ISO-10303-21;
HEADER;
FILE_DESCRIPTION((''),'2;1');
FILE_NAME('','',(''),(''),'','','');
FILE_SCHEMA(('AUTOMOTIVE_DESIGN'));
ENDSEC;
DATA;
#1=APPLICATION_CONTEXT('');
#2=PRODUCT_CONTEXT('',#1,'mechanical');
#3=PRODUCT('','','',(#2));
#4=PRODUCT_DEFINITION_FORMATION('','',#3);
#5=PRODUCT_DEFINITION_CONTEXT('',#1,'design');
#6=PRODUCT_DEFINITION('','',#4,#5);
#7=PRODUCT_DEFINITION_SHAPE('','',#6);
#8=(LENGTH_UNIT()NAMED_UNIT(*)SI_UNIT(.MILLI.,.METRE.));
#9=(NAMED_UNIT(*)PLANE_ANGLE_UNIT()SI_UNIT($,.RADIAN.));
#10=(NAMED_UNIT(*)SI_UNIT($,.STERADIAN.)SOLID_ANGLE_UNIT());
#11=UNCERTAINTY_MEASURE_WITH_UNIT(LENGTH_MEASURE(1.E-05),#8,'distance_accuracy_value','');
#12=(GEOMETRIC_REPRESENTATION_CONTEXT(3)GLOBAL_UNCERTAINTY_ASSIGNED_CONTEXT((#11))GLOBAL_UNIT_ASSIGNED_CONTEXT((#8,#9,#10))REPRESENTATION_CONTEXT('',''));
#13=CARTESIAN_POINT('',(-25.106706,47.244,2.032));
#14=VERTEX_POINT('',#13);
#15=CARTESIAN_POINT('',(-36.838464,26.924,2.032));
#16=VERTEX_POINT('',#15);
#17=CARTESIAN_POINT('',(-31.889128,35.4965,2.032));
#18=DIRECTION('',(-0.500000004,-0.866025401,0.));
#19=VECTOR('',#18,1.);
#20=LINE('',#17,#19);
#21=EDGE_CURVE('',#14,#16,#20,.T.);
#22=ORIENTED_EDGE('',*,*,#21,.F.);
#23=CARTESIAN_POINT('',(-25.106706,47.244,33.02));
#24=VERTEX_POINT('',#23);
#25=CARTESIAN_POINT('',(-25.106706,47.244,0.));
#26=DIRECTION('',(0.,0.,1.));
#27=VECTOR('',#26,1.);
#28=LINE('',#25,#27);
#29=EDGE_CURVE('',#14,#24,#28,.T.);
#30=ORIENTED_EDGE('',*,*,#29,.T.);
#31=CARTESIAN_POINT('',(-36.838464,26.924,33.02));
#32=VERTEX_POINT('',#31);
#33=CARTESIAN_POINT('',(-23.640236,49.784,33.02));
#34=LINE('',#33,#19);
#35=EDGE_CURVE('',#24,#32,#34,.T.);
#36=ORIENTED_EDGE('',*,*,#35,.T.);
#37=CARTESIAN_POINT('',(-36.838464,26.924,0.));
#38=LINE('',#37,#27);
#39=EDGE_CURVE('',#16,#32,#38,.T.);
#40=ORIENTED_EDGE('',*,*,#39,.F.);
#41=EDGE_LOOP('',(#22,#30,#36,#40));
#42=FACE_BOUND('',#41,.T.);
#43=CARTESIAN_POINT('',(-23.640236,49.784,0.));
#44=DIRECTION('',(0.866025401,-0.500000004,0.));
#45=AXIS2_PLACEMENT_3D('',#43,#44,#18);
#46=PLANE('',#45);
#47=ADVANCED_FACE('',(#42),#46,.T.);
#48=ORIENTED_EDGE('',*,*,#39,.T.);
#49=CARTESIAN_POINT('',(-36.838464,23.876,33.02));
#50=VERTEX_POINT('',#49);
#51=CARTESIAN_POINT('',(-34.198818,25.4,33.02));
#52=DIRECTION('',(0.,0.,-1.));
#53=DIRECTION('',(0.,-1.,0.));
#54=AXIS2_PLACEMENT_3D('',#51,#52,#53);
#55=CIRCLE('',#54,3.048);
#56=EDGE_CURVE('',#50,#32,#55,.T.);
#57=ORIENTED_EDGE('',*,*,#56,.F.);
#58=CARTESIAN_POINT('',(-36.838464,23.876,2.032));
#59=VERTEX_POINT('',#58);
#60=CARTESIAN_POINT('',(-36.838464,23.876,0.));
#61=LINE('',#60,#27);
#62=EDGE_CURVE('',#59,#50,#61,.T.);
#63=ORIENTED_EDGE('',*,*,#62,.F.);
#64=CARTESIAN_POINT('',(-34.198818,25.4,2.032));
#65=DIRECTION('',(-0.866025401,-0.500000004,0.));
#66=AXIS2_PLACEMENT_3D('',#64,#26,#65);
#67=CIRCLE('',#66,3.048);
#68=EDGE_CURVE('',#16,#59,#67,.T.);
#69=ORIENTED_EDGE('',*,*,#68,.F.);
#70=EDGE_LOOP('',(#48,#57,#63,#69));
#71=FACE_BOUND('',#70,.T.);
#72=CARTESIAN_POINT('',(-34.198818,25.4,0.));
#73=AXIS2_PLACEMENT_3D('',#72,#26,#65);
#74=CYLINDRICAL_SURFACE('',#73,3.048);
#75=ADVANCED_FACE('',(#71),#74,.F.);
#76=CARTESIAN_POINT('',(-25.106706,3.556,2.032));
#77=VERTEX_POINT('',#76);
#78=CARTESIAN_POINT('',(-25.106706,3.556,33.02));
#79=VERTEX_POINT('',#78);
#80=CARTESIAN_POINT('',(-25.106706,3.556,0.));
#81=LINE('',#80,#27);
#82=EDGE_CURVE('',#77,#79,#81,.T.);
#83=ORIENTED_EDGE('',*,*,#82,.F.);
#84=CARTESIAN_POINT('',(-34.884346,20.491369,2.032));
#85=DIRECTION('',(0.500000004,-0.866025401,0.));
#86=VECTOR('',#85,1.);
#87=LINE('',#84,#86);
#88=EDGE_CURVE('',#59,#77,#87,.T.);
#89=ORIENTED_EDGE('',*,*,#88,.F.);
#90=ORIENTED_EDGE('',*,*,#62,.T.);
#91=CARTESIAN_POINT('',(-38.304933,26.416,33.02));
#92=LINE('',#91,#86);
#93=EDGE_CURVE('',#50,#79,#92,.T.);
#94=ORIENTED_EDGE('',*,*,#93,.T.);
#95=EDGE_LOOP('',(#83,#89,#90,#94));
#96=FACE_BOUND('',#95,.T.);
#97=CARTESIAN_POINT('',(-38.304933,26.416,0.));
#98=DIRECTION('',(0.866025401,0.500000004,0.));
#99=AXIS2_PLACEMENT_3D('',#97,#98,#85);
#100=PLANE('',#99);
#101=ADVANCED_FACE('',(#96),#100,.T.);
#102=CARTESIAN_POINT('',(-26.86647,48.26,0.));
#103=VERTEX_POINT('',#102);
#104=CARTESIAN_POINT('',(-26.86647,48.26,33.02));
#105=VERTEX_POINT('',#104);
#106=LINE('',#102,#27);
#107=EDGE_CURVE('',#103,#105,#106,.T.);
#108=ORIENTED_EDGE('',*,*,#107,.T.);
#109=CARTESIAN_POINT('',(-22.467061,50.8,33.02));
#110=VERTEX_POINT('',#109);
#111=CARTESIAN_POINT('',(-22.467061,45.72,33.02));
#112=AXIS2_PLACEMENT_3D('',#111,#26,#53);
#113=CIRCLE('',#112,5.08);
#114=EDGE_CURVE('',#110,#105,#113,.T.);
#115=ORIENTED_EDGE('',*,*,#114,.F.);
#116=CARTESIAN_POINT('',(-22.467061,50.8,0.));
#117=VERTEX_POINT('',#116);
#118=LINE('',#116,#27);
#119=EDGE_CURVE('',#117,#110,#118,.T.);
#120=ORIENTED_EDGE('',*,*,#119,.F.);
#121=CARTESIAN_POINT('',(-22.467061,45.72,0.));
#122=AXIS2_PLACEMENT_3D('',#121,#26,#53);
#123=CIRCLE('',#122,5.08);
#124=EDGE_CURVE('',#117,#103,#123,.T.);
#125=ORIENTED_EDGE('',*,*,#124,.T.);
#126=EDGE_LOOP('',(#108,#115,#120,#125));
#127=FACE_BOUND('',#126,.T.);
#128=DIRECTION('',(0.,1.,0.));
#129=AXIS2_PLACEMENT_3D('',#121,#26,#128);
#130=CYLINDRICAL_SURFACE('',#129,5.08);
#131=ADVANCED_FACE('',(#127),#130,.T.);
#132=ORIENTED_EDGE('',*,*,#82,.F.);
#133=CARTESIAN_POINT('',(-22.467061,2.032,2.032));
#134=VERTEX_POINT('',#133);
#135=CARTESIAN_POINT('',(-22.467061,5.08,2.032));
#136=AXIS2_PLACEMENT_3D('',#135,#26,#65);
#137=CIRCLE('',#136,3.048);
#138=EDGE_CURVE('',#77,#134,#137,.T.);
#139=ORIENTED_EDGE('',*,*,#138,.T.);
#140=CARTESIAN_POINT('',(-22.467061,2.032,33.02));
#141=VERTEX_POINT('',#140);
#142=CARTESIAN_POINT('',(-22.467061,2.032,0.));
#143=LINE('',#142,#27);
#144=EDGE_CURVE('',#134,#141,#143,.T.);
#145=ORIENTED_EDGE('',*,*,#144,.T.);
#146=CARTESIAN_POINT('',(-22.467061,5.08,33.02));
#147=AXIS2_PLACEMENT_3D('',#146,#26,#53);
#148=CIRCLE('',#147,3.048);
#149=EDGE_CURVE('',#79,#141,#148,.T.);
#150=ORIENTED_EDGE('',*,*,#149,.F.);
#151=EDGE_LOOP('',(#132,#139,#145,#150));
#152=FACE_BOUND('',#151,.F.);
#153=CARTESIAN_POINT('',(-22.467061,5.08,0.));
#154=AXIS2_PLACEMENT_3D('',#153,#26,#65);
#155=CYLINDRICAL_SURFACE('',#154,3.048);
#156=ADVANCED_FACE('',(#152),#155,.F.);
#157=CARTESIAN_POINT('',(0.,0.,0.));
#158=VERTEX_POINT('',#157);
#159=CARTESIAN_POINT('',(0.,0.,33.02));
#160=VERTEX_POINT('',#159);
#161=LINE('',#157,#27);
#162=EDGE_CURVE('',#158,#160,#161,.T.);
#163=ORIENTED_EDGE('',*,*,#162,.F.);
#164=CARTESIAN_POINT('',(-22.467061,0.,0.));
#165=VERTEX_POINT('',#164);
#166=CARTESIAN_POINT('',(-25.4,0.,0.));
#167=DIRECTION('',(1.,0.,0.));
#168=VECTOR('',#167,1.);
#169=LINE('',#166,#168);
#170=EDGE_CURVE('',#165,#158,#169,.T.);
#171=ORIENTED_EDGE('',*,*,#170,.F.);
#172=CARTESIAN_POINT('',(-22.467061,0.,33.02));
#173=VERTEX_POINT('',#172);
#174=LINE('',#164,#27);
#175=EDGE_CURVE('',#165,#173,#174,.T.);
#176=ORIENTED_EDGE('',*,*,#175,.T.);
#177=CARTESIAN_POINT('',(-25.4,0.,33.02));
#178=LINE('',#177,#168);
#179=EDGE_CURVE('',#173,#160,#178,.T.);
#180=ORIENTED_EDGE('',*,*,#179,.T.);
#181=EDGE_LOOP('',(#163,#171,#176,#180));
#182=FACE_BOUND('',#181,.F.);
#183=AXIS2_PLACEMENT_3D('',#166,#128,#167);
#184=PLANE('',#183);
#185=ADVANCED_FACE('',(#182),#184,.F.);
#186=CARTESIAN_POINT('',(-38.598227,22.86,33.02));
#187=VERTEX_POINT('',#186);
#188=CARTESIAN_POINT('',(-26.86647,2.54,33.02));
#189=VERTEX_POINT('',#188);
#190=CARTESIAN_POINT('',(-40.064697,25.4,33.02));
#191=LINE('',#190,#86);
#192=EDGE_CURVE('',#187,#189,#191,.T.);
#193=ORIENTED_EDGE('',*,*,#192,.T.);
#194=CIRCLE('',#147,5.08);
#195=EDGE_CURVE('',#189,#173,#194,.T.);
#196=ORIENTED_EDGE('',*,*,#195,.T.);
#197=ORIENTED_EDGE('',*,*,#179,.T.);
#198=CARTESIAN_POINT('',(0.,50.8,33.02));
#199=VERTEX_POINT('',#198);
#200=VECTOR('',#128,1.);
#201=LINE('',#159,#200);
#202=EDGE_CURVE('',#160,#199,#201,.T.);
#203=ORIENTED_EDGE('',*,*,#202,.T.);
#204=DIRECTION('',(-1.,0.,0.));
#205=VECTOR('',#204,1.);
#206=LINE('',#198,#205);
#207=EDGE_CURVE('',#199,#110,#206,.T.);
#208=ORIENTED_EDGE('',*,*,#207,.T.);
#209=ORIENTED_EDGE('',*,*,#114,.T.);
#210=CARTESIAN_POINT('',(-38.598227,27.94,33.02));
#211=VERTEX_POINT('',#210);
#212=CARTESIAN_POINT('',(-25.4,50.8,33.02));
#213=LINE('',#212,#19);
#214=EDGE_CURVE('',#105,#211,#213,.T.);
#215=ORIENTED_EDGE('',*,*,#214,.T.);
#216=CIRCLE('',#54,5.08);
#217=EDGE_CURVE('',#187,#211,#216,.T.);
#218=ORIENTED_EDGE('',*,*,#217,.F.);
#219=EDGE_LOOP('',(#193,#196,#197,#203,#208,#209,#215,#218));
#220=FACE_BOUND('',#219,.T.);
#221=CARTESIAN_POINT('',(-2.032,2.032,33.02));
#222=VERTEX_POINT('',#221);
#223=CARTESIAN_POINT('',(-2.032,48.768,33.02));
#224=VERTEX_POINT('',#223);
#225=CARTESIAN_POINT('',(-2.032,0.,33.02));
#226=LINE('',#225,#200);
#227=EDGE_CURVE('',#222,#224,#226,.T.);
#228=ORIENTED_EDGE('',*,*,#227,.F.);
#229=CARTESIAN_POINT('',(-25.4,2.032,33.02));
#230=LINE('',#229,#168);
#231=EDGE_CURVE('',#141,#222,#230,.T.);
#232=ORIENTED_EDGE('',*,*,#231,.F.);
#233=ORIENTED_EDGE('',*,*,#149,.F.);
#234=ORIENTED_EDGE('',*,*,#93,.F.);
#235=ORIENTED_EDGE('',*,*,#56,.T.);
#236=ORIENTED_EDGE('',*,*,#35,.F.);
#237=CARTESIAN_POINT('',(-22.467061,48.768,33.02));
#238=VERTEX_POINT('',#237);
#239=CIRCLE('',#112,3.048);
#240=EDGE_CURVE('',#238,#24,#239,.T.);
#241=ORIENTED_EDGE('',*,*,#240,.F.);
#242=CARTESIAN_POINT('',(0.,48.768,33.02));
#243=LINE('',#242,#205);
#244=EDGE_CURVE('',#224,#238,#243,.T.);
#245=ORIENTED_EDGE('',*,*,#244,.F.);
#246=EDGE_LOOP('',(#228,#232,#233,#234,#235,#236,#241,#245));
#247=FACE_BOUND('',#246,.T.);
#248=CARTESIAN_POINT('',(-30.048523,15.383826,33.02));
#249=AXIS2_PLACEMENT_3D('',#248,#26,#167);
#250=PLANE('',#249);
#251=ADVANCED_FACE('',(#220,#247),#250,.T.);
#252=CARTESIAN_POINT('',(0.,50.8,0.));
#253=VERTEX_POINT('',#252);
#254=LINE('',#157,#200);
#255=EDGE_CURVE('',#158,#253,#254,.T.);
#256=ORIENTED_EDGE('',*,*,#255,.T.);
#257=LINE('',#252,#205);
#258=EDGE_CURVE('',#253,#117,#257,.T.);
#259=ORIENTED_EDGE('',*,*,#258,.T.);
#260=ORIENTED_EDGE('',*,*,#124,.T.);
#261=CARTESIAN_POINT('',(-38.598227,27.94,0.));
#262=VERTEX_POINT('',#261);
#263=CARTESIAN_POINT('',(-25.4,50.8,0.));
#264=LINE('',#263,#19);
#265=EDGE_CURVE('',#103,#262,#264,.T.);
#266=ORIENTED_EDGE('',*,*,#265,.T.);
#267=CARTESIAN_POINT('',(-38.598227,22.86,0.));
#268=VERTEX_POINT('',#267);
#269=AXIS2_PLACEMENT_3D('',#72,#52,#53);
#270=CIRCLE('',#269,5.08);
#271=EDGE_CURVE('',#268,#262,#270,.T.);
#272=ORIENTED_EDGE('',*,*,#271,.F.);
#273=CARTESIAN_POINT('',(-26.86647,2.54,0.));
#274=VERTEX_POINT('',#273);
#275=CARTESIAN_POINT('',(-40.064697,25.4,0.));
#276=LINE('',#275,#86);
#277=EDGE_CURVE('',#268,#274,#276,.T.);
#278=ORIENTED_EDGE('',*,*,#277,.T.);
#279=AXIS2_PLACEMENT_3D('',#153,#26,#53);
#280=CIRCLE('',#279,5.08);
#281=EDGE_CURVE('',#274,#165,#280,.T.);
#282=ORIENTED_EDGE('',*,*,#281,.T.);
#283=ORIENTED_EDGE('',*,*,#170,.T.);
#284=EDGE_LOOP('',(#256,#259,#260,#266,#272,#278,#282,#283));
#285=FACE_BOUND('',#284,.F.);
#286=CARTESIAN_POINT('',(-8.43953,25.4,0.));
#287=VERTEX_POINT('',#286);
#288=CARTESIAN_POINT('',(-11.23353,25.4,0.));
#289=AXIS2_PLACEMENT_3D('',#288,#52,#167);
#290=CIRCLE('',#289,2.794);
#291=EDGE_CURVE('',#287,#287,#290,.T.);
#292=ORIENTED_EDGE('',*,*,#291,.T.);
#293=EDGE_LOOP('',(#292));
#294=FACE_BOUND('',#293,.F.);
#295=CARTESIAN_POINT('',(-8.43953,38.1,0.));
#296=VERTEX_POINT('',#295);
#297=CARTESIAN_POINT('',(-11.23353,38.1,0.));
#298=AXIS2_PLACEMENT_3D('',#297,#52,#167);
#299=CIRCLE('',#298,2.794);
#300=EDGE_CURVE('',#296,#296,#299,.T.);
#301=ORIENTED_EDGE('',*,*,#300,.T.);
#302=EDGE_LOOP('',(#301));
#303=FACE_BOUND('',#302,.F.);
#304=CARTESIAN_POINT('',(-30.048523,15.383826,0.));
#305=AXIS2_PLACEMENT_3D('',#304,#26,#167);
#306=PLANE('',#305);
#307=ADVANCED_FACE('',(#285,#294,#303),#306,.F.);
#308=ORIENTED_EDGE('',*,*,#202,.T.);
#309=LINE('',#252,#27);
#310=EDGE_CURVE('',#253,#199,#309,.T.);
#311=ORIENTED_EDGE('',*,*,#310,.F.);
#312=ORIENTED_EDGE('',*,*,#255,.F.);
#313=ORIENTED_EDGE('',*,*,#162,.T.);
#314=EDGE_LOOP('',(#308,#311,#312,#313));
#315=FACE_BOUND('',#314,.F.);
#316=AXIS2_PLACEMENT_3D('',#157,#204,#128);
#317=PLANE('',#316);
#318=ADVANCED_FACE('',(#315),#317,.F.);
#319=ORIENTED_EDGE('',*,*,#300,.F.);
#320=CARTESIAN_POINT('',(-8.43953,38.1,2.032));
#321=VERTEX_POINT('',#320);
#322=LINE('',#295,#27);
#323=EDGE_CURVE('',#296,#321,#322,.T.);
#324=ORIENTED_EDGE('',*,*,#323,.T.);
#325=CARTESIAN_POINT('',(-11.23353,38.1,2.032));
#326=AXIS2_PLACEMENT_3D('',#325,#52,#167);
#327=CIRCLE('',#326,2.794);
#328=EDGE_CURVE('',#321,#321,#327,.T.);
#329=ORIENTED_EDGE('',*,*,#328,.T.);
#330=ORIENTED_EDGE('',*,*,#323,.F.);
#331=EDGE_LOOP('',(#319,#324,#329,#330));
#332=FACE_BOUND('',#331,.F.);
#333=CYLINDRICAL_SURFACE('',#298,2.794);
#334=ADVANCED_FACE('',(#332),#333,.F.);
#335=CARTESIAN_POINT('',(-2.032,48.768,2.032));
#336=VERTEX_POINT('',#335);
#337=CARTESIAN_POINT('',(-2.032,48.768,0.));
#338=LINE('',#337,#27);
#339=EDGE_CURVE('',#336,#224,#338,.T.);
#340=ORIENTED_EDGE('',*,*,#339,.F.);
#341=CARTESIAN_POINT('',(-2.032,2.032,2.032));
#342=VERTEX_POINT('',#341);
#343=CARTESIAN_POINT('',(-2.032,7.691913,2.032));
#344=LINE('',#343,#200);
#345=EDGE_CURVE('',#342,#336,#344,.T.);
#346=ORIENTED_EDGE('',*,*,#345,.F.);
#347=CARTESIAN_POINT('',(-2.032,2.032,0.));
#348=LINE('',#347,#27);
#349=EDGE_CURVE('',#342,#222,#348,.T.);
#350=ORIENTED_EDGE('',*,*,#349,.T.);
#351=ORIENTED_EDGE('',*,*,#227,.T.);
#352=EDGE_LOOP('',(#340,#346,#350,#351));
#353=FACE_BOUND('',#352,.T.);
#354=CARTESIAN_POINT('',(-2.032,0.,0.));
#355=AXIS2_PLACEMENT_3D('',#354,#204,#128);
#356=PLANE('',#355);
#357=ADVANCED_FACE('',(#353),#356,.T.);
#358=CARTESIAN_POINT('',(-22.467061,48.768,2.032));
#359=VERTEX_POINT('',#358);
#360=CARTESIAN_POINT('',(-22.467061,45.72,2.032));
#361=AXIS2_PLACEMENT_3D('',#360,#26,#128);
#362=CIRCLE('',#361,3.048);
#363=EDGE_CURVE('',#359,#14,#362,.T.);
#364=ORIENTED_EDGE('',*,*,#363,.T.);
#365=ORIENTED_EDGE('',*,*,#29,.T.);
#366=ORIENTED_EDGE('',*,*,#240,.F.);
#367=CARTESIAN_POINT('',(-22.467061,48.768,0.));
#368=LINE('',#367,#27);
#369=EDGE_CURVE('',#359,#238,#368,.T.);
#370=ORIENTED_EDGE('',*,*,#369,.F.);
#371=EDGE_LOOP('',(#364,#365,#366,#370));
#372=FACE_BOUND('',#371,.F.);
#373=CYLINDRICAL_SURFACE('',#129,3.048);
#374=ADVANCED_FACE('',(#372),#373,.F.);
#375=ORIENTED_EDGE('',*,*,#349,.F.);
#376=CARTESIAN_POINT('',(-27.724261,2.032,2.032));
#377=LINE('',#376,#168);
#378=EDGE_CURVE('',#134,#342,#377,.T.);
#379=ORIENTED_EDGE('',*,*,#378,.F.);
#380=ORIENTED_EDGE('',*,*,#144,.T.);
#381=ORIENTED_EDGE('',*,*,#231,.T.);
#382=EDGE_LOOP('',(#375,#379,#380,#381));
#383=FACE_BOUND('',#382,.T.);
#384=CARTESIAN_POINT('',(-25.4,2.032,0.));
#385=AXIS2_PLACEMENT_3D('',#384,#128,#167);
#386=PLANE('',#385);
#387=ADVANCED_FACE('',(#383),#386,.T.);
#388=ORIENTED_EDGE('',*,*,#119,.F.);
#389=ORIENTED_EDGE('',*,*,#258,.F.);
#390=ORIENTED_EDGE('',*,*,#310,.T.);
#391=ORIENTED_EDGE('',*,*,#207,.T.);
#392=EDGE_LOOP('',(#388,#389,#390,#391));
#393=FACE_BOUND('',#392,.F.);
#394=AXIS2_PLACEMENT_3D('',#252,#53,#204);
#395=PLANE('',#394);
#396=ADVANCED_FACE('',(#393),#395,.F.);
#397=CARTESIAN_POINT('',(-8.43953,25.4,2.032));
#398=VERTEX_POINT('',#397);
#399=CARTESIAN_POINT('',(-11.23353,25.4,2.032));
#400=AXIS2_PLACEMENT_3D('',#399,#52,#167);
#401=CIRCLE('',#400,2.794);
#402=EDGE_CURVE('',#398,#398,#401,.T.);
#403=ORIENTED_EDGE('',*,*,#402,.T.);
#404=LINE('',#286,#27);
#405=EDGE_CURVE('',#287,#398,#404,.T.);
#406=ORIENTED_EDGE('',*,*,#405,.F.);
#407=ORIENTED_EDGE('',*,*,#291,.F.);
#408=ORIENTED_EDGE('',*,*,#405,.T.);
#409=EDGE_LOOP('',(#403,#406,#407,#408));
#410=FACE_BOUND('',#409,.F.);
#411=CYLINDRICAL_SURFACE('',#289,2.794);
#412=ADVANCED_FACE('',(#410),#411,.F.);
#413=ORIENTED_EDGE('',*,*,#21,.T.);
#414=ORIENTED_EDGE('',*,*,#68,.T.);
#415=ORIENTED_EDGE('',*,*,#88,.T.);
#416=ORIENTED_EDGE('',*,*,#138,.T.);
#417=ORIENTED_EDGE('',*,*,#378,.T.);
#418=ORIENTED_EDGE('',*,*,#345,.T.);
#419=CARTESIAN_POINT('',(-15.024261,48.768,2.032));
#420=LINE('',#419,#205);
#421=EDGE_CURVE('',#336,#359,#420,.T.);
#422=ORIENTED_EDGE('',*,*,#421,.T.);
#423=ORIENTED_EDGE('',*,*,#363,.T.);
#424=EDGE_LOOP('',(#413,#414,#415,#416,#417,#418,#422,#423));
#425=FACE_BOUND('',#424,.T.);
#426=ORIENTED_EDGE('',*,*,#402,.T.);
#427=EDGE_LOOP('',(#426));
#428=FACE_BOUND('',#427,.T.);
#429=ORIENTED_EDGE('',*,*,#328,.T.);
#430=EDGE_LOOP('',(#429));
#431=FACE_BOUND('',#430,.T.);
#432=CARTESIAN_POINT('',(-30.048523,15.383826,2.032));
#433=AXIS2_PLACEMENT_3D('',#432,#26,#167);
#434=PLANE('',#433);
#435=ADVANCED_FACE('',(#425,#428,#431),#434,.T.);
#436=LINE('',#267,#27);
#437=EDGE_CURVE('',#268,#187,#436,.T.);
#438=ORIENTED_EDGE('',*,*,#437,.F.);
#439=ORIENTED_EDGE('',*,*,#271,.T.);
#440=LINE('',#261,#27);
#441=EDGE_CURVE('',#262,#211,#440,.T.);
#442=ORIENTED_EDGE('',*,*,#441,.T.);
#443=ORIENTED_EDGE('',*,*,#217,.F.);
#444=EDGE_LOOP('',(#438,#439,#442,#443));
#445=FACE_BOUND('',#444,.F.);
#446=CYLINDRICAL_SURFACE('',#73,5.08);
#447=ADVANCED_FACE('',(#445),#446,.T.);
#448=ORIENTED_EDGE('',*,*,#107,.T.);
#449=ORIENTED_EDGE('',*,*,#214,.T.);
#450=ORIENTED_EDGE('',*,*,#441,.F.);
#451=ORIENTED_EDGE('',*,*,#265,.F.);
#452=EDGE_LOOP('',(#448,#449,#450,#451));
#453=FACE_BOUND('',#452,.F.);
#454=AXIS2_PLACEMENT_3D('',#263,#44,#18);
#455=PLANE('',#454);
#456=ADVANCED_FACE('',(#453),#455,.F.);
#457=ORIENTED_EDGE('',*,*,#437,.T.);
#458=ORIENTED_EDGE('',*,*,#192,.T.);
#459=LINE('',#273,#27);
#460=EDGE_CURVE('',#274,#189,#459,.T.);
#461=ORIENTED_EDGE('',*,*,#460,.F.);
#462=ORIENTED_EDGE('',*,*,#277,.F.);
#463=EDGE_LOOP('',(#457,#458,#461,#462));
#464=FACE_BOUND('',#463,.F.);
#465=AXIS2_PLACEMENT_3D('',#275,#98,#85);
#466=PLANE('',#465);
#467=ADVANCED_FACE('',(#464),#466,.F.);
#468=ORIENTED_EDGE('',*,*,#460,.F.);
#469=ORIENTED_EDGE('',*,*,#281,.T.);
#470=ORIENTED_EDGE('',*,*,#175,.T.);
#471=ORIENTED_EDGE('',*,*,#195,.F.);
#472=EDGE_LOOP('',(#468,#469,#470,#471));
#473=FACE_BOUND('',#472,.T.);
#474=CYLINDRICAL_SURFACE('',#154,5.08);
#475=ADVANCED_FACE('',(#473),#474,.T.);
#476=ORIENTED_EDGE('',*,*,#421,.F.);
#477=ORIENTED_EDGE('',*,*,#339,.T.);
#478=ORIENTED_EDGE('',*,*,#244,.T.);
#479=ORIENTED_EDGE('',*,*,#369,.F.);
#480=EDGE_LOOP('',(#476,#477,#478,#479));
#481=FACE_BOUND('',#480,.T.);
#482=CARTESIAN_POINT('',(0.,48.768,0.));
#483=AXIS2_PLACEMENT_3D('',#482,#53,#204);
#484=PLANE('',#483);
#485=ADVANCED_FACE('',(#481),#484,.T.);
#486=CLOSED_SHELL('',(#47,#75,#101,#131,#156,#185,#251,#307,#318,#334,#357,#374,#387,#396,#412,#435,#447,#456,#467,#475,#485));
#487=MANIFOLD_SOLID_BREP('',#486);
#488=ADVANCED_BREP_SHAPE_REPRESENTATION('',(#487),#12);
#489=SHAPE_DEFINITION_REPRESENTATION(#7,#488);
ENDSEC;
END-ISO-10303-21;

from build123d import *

# Parameters (mm, degrees)
F1_DEPTH = 33.02
F2_R     = 5.08
F4_T     = -2.032
F3_R     = 2.794
F5_DEPTH = 2.032


with BuildPart() as f1:
    # F0 (on Top) → F1 (new body)
    with BuildSketch(Plane.XY):
        Polygon((-40.064697, 25.4), (-25.4, 0), (-25.4, 25.4), align=None)
        Polygon((-40.064697, 25.4), (-25.4, 25.4), (-25.4, 50.8), align=None)
        Polygon((-25.4, 0), (0, 0), (0, 50.8), (-25.4, 50.8), (-25.4, 25.4), align=None)
    extrude(amount=F1_DEPTH)

    # F2
    f2_edges = [f1.edges().sort_by_distance(p)[0] for p in [
        (-40.064697, 25.4, 16.51),
        (-25.4, 50.8, 16.51),
        (-25.4, 0, 16.51),
    ]]
    fillet(f2_edges, radius=F2_R)

    # F4
    f4_openings = [f1.faces().sort_by_distance(p)[0] for p in [
        (-16.606713, 25.4, 33.02),
    ]]
    offset(amount=F4_T, openings=f4_openings)

    # F3 (on face) → F5 (cut)
    with BuildSketch(Plane(origin=(0, 0, 0), x_dir=(1, 0, 0), z_dir=(0, 0, -1))):
        with Locations((-11.23353, -25.4)):
            Circle(F3_R)
        with Locations((-11.23353, -38.1)):
            Circle(F3_R)
    extrude(amount=-F5_DEPTH, mode=Mode.SUBTRACT)


solid = f1.part
